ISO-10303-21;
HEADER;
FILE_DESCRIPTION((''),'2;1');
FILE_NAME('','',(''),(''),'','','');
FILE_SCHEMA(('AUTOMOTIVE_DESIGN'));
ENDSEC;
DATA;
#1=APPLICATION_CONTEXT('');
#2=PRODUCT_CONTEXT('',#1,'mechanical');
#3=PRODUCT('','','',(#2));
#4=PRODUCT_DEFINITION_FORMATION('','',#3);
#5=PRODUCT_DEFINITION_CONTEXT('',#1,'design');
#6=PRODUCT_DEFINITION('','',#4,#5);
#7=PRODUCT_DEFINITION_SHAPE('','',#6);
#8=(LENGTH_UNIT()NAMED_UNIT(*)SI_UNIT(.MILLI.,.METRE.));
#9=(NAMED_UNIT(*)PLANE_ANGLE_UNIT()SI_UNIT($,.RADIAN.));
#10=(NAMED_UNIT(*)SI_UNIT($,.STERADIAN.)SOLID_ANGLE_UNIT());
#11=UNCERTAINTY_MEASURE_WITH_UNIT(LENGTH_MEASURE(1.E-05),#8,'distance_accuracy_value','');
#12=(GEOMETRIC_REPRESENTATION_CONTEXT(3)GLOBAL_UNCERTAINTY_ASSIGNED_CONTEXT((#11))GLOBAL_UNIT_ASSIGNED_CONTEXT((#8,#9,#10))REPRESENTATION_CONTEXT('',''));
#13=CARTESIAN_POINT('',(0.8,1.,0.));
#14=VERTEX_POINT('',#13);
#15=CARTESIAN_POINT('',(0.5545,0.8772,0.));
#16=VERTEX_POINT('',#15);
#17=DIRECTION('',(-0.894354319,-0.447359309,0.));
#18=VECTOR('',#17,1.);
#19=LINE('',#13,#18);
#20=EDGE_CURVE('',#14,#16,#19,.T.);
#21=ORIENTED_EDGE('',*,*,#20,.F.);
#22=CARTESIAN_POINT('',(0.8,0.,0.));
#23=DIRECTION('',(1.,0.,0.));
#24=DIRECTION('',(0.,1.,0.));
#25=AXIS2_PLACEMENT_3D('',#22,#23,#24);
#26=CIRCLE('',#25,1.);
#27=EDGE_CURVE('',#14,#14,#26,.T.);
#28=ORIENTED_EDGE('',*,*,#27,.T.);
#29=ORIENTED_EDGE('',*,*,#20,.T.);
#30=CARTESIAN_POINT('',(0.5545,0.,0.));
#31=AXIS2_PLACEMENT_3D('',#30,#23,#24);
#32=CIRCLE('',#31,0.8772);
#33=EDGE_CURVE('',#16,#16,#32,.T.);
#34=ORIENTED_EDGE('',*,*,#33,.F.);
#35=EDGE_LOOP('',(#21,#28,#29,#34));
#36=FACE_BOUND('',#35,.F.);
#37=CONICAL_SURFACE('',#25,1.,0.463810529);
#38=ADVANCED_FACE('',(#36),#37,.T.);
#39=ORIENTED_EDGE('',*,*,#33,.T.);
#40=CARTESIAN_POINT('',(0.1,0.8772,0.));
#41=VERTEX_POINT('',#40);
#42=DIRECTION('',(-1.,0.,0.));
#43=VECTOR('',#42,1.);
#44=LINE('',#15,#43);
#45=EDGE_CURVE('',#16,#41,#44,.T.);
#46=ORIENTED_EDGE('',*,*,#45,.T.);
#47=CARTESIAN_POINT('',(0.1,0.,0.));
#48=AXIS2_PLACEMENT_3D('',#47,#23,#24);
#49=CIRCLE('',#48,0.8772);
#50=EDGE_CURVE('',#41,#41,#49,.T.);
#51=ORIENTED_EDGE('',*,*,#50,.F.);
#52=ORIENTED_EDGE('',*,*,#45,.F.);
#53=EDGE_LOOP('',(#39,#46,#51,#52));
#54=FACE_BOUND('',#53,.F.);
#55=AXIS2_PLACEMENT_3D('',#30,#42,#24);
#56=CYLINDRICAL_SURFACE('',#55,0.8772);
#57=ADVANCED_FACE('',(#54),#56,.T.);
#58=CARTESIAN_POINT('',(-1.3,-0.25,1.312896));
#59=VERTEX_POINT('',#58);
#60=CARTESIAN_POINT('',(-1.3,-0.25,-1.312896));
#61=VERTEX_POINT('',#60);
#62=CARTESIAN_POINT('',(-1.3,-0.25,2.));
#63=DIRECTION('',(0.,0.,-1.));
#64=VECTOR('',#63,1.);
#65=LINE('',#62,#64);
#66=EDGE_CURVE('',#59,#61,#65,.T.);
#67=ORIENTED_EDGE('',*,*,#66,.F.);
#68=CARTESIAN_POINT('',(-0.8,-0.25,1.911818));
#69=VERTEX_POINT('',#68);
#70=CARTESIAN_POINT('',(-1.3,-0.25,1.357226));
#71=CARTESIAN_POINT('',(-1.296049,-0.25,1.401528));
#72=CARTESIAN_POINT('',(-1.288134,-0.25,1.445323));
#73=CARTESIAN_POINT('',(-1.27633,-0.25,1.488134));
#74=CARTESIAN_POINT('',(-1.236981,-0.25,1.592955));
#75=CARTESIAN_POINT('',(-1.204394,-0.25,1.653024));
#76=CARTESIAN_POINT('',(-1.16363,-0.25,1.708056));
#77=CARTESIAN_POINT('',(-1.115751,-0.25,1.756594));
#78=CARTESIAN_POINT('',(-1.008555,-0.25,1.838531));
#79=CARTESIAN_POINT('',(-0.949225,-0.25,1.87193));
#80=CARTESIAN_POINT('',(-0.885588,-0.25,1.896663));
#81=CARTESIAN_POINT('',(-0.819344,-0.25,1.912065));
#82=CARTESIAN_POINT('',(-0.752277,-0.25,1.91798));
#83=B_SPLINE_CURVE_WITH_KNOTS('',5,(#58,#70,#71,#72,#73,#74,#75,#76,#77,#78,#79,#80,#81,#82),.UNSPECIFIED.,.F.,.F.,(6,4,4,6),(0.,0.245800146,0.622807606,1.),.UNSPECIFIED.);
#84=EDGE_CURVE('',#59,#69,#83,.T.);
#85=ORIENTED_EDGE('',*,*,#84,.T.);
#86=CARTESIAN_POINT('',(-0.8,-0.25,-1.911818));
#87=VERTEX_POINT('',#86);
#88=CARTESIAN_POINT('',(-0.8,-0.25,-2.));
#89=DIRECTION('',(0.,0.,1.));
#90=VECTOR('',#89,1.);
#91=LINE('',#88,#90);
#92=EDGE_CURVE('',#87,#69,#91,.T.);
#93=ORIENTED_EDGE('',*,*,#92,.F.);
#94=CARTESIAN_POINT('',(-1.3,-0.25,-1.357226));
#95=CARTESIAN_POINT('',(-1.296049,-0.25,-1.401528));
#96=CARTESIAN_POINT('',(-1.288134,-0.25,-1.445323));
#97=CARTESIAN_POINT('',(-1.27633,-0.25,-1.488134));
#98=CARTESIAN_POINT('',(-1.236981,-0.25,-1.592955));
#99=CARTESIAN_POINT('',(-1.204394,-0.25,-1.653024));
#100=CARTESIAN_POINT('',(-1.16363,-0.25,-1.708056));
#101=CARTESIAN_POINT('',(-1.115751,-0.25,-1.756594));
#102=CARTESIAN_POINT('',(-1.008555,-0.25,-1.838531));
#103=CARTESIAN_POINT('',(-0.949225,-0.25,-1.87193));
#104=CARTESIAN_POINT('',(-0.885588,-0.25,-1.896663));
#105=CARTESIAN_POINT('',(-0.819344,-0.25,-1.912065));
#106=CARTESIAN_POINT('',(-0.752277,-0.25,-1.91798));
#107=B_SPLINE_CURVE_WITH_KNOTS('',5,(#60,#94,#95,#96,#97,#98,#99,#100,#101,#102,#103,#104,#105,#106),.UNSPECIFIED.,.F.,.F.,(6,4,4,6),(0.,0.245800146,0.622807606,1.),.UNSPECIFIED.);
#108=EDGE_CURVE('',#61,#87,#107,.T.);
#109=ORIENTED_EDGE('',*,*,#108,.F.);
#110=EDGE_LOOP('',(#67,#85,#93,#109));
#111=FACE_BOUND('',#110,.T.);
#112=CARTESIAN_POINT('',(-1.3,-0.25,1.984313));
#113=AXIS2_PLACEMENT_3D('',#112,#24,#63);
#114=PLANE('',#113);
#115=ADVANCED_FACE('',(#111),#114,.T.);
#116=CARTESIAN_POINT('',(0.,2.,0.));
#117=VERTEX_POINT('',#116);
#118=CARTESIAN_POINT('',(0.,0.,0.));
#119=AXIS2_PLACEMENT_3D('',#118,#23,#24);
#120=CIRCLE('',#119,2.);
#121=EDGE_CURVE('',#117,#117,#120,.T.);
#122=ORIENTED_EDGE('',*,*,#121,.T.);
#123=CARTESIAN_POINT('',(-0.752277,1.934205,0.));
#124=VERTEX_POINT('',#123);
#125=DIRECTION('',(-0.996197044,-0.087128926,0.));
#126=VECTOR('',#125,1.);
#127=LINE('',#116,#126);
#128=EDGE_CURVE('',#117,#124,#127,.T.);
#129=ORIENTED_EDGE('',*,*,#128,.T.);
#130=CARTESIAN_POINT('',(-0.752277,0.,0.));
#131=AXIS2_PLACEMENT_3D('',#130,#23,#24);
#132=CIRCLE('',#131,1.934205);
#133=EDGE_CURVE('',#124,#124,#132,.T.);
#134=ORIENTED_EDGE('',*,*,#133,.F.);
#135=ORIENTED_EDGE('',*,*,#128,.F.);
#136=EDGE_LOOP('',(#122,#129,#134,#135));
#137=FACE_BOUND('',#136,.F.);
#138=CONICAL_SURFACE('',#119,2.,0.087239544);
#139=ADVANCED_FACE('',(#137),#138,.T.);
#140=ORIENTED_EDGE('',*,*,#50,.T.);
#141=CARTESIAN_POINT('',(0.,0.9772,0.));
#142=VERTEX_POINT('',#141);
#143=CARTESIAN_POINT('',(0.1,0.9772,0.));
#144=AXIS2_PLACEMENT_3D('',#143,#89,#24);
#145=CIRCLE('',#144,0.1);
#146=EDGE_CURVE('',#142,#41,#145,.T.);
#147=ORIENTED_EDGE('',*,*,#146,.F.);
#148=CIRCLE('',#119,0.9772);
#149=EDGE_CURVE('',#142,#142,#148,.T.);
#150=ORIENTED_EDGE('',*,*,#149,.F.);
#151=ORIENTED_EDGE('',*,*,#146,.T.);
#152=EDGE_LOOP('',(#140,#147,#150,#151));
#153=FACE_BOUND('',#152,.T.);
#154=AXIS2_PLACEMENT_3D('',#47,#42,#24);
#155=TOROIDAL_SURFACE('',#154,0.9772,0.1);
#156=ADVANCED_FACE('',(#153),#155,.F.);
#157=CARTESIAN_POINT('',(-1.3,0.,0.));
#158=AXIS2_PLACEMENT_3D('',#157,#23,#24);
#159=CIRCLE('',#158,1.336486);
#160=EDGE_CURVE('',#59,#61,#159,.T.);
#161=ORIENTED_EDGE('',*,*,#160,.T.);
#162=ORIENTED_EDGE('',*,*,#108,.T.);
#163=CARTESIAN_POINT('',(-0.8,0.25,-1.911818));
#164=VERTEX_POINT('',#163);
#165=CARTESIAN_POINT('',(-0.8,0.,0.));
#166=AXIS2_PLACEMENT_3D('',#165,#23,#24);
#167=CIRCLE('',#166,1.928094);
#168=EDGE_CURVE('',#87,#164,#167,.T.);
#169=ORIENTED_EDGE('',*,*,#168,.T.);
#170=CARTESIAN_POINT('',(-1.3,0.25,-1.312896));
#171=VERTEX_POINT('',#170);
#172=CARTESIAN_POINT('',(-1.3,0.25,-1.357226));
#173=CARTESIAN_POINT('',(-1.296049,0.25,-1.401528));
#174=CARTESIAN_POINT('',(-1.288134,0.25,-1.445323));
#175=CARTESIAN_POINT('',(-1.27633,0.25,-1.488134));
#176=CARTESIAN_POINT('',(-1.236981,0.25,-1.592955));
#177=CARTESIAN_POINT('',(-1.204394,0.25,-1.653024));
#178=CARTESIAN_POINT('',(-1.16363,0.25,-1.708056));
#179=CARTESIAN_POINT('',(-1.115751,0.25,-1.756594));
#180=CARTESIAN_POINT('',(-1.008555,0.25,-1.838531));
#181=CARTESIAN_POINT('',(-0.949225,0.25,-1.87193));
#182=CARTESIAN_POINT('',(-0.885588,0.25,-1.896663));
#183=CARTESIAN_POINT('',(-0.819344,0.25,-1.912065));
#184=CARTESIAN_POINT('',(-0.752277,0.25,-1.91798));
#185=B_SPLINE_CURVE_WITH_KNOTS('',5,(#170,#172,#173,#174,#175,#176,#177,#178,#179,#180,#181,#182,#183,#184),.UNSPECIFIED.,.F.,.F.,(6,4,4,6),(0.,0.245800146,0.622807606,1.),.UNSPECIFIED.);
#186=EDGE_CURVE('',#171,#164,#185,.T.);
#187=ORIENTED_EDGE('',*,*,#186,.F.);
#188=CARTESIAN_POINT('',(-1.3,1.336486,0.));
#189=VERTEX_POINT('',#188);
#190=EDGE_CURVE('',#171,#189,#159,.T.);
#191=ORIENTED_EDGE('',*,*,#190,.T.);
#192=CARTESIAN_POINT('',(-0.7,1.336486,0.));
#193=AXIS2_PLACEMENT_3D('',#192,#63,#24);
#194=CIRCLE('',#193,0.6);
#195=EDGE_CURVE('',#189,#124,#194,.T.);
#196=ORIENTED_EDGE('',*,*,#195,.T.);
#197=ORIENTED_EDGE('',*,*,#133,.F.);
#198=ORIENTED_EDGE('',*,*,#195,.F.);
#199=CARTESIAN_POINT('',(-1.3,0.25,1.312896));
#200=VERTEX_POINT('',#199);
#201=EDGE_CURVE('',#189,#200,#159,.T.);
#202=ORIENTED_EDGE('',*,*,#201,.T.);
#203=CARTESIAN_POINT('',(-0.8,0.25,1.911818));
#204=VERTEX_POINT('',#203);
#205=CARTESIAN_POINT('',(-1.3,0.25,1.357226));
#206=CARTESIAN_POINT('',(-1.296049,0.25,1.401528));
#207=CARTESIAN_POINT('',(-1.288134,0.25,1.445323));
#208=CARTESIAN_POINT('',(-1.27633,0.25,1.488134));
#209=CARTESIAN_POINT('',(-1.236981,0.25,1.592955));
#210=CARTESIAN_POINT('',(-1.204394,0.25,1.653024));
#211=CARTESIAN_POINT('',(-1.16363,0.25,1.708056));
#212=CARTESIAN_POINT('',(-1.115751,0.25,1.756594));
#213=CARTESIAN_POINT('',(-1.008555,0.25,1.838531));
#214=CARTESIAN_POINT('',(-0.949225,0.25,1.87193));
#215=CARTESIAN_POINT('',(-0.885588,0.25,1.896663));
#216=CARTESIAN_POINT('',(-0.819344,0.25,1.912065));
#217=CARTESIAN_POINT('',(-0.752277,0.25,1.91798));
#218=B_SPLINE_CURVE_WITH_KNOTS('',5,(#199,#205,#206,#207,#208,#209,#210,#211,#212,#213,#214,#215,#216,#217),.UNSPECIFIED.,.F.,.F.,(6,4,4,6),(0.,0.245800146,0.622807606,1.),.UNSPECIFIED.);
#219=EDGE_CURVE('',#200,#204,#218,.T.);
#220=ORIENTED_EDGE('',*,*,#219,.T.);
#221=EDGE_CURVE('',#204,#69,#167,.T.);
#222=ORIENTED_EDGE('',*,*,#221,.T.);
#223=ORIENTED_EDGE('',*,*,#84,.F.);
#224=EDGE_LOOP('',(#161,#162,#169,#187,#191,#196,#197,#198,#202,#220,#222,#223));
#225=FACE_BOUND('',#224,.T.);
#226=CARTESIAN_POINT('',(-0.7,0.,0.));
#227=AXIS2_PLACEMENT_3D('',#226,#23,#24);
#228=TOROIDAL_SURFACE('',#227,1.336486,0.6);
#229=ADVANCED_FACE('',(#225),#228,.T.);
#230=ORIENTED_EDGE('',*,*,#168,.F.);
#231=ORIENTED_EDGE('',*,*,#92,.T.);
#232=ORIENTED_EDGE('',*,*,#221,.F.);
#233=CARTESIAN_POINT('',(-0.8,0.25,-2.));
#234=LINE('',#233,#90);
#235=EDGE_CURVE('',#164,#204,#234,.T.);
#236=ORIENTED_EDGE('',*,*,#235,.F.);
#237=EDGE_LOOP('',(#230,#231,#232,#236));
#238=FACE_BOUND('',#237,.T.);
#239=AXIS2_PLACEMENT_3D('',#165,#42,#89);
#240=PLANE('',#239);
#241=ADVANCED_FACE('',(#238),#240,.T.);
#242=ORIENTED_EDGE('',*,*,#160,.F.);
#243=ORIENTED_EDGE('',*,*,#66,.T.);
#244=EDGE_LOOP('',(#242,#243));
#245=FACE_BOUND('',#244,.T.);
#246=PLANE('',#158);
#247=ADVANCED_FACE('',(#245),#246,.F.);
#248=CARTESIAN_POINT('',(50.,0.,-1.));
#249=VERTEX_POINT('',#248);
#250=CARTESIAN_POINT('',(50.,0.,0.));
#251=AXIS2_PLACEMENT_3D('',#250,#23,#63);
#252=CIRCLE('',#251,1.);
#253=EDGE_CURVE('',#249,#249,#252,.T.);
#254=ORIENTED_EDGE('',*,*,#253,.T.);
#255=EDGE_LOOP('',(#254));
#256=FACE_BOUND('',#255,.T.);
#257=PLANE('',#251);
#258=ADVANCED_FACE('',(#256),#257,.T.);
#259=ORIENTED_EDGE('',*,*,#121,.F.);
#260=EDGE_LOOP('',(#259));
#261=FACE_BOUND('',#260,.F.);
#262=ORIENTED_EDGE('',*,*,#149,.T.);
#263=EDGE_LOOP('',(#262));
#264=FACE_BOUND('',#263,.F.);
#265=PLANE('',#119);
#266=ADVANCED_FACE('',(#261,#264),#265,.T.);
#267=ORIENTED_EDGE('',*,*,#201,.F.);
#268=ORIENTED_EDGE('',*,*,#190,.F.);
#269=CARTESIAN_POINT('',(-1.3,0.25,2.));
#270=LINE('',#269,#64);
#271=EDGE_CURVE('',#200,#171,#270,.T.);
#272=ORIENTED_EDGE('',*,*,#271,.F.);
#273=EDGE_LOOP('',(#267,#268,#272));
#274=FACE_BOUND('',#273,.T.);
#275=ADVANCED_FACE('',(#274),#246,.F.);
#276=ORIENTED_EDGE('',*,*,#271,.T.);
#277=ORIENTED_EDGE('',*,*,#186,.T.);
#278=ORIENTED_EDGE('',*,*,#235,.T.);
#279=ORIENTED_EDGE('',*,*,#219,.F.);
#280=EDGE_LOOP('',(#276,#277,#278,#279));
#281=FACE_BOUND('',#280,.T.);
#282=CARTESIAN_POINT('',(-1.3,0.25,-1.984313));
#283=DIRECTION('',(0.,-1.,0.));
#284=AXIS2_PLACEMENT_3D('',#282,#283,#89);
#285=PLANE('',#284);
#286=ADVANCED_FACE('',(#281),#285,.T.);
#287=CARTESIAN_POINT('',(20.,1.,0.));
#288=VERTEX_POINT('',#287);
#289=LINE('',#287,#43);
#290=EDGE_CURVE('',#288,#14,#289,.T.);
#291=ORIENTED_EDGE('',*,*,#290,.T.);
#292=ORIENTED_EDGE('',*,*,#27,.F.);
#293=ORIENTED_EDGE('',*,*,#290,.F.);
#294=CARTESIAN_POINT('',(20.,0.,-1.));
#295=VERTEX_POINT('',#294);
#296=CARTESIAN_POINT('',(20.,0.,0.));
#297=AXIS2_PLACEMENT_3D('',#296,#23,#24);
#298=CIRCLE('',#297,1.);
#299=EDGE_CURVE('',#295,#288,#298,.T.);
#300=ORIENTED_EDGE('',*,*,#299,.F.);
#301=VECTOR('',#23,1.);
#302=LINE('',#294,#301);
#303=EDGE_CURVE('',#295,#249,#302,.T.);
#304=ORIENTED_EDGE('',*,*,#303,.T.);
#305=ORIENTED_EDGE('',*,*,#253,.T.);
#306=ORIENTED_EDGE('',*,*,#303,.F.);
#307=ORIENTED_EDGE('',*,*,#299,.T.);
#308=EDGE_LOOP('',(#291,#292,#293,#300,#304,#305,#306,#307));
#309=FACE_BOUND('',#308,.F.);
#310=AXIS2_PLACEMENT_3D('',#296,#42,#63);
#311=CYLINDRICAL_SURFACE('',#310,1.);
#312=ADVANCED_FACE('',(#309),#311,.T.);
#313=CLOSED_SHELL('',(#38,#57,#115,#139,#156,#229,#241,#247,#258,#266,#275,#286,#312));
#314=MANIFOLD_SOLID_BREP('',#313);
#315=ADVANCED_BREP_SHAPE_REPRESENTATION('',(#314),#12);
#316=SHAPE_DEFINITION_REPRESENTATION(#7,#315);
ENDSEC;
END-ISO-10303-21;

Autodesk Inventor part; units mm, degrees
ref_plane "YZ Plane" through (0, 0, 0) normal (1, 0, 0) x (0, 1, 0)
ref_plane "XZ Plane" through (0, 0, 0) normal (0, 1, 0) x (-1, 0, 0)
sketch "Sketch1" plane through (0, 0, 0) normal (0, 0, 1) x (1, 0, 0)
  line L0 (-1.3, 0) -> (20, 0)
  line L1 (20, 0) -> (20, 1)
  line L2 (20, 1) -> (0.8, 1)
  line L3 (0.8, 1) -> (0.5545, 0.8772)
  line L4 (0.5545, 0.8772) -> (0, 0.8772)
  line L5 (0, 0.8772) -> (0, 2)
  line L6 (-5.56, 0) -> (24.26, 0) projected
  line L7 (0, -0.4) -> (0, 2.4) projected
  line L8 (-1.3, 0) -> (-1.3, 1.8863)
  line L9 (0, 2) -> (-1.3, 1.8863)
  line L10 (0.8, 1) -> (0, 1) construction
  dimension "d0" = 20
  dimension "d1" = 19.2
  dimension "d2" = 0.2455
  dimension "d3" = 1.3
  dimension "d4" = 2
  dimension "d5" = 1.7545
  dimension "d9" = 4
  dimension "d10" = 5
revolve "Body" add sketch "Sketch1" angle 360 about axis through (-1.3, 0, 0) along (1, 0, 0)
sketch "Sketch2" plane through (-1.3, 0, 0) normal (-1, 0, 0) x (0, 0, 1)
  circle A0 centre (0, 0) radius 2 projected
  line L0 (0, 0) -> (0, 1.8863) projected
  line L1 (-2, 0.25) -> (2, 0.25)
  line L2 (2, 0.25) -> (2, -0.25)
  line L3 (2, -0.25) -> (-2, -0.25)
  line L4 (-2, -0.25) -> (-2, 0.25)
  line L5 (-2, 0) -> (2, 0) construction
  line L6 (0, 0.25) -> (0, -0.25) construction
  dimension "d11" = 0.5
  dimension "d12" = 4
fillet "Fillet1" radius 0.6 1 edges at (-1.3, -1.8863, 0)
thread "Thread" size "M2x0.4" class "6g" standard "ISO Metric profile" length 19.2
extrude "Slot" cut sketch "Sketch2" against normal blind 0.5 contours A0 L3 L1 | L2 L3 A0 | A0 L1 L2 | A0 L4 L1 | L3 L4 A0
ref_plane "Work Plane1" through (30.1625, 0, 0) normal (0, 0, -1) x (1, 0, 0)
fillet "Fillet5" radius 0.1 1 edges at (0, -0.8772, 0)
sketch "Sketch4" plane through (20, 0, 0) normal (1, 0, 0) x (0, 0, -1)
  circle A0 centre (0, 0) radius 1
  dimension "d42" = 2
extrude "Extrusion4" add sketch "Sketch4" along normal blind 30
thread "Thread3" size "M2x0.4" class "6g" standard "ISO Metric profile" length 50
equation "\"d11\" = SBR"
equation "\"d12\" = KOD"
equation "\"d14\" = RR"
equation "\"d15\" = GEL"
equation "\"d19\" = STI"
equation "\"d41\" = R"
equation "\"d0\" = NLG"
equation "\"d1\" = GEL"
equation "\"d3\" = KOH"
equation "\"d4\" = GD"
equation "\"d5\" = BDM"
equation "\"d9\" = KOD"
equation "\"d10\" = KEWI"
equation "\"GD\" = NND"
equation "\"NLG\" = 20"
equation "\"GEL\" = 19.2"
equation "\"KOD\" = 4"
equation "\"KOH\" = 1.3"
equation "\"GAL\" = 0.61345 * PTC"
equation "\"R\" = 0.1"
equation "\"BDM\" = 1.7545"
equation "\"GUL\" = 0.61345 * PTC"
equation "\"RR\" = 0.6"
equation "\"SBR\" = 0.5"
equation "\"STI\" = 0.5"
equation "\"KEWI\" = 5deg"
equation "\"PTC\" = 0.4"
equation "\"THREADDIA\" = 2"
equation "\"TOA\" = 30deg"
equation "\"NND\" = 2"
equation "\"GD1\" = THREADDIA - 1.2269 * PTC"
properties part number "ISO 1580 - M2 x 20" material "Steel, Mild"
